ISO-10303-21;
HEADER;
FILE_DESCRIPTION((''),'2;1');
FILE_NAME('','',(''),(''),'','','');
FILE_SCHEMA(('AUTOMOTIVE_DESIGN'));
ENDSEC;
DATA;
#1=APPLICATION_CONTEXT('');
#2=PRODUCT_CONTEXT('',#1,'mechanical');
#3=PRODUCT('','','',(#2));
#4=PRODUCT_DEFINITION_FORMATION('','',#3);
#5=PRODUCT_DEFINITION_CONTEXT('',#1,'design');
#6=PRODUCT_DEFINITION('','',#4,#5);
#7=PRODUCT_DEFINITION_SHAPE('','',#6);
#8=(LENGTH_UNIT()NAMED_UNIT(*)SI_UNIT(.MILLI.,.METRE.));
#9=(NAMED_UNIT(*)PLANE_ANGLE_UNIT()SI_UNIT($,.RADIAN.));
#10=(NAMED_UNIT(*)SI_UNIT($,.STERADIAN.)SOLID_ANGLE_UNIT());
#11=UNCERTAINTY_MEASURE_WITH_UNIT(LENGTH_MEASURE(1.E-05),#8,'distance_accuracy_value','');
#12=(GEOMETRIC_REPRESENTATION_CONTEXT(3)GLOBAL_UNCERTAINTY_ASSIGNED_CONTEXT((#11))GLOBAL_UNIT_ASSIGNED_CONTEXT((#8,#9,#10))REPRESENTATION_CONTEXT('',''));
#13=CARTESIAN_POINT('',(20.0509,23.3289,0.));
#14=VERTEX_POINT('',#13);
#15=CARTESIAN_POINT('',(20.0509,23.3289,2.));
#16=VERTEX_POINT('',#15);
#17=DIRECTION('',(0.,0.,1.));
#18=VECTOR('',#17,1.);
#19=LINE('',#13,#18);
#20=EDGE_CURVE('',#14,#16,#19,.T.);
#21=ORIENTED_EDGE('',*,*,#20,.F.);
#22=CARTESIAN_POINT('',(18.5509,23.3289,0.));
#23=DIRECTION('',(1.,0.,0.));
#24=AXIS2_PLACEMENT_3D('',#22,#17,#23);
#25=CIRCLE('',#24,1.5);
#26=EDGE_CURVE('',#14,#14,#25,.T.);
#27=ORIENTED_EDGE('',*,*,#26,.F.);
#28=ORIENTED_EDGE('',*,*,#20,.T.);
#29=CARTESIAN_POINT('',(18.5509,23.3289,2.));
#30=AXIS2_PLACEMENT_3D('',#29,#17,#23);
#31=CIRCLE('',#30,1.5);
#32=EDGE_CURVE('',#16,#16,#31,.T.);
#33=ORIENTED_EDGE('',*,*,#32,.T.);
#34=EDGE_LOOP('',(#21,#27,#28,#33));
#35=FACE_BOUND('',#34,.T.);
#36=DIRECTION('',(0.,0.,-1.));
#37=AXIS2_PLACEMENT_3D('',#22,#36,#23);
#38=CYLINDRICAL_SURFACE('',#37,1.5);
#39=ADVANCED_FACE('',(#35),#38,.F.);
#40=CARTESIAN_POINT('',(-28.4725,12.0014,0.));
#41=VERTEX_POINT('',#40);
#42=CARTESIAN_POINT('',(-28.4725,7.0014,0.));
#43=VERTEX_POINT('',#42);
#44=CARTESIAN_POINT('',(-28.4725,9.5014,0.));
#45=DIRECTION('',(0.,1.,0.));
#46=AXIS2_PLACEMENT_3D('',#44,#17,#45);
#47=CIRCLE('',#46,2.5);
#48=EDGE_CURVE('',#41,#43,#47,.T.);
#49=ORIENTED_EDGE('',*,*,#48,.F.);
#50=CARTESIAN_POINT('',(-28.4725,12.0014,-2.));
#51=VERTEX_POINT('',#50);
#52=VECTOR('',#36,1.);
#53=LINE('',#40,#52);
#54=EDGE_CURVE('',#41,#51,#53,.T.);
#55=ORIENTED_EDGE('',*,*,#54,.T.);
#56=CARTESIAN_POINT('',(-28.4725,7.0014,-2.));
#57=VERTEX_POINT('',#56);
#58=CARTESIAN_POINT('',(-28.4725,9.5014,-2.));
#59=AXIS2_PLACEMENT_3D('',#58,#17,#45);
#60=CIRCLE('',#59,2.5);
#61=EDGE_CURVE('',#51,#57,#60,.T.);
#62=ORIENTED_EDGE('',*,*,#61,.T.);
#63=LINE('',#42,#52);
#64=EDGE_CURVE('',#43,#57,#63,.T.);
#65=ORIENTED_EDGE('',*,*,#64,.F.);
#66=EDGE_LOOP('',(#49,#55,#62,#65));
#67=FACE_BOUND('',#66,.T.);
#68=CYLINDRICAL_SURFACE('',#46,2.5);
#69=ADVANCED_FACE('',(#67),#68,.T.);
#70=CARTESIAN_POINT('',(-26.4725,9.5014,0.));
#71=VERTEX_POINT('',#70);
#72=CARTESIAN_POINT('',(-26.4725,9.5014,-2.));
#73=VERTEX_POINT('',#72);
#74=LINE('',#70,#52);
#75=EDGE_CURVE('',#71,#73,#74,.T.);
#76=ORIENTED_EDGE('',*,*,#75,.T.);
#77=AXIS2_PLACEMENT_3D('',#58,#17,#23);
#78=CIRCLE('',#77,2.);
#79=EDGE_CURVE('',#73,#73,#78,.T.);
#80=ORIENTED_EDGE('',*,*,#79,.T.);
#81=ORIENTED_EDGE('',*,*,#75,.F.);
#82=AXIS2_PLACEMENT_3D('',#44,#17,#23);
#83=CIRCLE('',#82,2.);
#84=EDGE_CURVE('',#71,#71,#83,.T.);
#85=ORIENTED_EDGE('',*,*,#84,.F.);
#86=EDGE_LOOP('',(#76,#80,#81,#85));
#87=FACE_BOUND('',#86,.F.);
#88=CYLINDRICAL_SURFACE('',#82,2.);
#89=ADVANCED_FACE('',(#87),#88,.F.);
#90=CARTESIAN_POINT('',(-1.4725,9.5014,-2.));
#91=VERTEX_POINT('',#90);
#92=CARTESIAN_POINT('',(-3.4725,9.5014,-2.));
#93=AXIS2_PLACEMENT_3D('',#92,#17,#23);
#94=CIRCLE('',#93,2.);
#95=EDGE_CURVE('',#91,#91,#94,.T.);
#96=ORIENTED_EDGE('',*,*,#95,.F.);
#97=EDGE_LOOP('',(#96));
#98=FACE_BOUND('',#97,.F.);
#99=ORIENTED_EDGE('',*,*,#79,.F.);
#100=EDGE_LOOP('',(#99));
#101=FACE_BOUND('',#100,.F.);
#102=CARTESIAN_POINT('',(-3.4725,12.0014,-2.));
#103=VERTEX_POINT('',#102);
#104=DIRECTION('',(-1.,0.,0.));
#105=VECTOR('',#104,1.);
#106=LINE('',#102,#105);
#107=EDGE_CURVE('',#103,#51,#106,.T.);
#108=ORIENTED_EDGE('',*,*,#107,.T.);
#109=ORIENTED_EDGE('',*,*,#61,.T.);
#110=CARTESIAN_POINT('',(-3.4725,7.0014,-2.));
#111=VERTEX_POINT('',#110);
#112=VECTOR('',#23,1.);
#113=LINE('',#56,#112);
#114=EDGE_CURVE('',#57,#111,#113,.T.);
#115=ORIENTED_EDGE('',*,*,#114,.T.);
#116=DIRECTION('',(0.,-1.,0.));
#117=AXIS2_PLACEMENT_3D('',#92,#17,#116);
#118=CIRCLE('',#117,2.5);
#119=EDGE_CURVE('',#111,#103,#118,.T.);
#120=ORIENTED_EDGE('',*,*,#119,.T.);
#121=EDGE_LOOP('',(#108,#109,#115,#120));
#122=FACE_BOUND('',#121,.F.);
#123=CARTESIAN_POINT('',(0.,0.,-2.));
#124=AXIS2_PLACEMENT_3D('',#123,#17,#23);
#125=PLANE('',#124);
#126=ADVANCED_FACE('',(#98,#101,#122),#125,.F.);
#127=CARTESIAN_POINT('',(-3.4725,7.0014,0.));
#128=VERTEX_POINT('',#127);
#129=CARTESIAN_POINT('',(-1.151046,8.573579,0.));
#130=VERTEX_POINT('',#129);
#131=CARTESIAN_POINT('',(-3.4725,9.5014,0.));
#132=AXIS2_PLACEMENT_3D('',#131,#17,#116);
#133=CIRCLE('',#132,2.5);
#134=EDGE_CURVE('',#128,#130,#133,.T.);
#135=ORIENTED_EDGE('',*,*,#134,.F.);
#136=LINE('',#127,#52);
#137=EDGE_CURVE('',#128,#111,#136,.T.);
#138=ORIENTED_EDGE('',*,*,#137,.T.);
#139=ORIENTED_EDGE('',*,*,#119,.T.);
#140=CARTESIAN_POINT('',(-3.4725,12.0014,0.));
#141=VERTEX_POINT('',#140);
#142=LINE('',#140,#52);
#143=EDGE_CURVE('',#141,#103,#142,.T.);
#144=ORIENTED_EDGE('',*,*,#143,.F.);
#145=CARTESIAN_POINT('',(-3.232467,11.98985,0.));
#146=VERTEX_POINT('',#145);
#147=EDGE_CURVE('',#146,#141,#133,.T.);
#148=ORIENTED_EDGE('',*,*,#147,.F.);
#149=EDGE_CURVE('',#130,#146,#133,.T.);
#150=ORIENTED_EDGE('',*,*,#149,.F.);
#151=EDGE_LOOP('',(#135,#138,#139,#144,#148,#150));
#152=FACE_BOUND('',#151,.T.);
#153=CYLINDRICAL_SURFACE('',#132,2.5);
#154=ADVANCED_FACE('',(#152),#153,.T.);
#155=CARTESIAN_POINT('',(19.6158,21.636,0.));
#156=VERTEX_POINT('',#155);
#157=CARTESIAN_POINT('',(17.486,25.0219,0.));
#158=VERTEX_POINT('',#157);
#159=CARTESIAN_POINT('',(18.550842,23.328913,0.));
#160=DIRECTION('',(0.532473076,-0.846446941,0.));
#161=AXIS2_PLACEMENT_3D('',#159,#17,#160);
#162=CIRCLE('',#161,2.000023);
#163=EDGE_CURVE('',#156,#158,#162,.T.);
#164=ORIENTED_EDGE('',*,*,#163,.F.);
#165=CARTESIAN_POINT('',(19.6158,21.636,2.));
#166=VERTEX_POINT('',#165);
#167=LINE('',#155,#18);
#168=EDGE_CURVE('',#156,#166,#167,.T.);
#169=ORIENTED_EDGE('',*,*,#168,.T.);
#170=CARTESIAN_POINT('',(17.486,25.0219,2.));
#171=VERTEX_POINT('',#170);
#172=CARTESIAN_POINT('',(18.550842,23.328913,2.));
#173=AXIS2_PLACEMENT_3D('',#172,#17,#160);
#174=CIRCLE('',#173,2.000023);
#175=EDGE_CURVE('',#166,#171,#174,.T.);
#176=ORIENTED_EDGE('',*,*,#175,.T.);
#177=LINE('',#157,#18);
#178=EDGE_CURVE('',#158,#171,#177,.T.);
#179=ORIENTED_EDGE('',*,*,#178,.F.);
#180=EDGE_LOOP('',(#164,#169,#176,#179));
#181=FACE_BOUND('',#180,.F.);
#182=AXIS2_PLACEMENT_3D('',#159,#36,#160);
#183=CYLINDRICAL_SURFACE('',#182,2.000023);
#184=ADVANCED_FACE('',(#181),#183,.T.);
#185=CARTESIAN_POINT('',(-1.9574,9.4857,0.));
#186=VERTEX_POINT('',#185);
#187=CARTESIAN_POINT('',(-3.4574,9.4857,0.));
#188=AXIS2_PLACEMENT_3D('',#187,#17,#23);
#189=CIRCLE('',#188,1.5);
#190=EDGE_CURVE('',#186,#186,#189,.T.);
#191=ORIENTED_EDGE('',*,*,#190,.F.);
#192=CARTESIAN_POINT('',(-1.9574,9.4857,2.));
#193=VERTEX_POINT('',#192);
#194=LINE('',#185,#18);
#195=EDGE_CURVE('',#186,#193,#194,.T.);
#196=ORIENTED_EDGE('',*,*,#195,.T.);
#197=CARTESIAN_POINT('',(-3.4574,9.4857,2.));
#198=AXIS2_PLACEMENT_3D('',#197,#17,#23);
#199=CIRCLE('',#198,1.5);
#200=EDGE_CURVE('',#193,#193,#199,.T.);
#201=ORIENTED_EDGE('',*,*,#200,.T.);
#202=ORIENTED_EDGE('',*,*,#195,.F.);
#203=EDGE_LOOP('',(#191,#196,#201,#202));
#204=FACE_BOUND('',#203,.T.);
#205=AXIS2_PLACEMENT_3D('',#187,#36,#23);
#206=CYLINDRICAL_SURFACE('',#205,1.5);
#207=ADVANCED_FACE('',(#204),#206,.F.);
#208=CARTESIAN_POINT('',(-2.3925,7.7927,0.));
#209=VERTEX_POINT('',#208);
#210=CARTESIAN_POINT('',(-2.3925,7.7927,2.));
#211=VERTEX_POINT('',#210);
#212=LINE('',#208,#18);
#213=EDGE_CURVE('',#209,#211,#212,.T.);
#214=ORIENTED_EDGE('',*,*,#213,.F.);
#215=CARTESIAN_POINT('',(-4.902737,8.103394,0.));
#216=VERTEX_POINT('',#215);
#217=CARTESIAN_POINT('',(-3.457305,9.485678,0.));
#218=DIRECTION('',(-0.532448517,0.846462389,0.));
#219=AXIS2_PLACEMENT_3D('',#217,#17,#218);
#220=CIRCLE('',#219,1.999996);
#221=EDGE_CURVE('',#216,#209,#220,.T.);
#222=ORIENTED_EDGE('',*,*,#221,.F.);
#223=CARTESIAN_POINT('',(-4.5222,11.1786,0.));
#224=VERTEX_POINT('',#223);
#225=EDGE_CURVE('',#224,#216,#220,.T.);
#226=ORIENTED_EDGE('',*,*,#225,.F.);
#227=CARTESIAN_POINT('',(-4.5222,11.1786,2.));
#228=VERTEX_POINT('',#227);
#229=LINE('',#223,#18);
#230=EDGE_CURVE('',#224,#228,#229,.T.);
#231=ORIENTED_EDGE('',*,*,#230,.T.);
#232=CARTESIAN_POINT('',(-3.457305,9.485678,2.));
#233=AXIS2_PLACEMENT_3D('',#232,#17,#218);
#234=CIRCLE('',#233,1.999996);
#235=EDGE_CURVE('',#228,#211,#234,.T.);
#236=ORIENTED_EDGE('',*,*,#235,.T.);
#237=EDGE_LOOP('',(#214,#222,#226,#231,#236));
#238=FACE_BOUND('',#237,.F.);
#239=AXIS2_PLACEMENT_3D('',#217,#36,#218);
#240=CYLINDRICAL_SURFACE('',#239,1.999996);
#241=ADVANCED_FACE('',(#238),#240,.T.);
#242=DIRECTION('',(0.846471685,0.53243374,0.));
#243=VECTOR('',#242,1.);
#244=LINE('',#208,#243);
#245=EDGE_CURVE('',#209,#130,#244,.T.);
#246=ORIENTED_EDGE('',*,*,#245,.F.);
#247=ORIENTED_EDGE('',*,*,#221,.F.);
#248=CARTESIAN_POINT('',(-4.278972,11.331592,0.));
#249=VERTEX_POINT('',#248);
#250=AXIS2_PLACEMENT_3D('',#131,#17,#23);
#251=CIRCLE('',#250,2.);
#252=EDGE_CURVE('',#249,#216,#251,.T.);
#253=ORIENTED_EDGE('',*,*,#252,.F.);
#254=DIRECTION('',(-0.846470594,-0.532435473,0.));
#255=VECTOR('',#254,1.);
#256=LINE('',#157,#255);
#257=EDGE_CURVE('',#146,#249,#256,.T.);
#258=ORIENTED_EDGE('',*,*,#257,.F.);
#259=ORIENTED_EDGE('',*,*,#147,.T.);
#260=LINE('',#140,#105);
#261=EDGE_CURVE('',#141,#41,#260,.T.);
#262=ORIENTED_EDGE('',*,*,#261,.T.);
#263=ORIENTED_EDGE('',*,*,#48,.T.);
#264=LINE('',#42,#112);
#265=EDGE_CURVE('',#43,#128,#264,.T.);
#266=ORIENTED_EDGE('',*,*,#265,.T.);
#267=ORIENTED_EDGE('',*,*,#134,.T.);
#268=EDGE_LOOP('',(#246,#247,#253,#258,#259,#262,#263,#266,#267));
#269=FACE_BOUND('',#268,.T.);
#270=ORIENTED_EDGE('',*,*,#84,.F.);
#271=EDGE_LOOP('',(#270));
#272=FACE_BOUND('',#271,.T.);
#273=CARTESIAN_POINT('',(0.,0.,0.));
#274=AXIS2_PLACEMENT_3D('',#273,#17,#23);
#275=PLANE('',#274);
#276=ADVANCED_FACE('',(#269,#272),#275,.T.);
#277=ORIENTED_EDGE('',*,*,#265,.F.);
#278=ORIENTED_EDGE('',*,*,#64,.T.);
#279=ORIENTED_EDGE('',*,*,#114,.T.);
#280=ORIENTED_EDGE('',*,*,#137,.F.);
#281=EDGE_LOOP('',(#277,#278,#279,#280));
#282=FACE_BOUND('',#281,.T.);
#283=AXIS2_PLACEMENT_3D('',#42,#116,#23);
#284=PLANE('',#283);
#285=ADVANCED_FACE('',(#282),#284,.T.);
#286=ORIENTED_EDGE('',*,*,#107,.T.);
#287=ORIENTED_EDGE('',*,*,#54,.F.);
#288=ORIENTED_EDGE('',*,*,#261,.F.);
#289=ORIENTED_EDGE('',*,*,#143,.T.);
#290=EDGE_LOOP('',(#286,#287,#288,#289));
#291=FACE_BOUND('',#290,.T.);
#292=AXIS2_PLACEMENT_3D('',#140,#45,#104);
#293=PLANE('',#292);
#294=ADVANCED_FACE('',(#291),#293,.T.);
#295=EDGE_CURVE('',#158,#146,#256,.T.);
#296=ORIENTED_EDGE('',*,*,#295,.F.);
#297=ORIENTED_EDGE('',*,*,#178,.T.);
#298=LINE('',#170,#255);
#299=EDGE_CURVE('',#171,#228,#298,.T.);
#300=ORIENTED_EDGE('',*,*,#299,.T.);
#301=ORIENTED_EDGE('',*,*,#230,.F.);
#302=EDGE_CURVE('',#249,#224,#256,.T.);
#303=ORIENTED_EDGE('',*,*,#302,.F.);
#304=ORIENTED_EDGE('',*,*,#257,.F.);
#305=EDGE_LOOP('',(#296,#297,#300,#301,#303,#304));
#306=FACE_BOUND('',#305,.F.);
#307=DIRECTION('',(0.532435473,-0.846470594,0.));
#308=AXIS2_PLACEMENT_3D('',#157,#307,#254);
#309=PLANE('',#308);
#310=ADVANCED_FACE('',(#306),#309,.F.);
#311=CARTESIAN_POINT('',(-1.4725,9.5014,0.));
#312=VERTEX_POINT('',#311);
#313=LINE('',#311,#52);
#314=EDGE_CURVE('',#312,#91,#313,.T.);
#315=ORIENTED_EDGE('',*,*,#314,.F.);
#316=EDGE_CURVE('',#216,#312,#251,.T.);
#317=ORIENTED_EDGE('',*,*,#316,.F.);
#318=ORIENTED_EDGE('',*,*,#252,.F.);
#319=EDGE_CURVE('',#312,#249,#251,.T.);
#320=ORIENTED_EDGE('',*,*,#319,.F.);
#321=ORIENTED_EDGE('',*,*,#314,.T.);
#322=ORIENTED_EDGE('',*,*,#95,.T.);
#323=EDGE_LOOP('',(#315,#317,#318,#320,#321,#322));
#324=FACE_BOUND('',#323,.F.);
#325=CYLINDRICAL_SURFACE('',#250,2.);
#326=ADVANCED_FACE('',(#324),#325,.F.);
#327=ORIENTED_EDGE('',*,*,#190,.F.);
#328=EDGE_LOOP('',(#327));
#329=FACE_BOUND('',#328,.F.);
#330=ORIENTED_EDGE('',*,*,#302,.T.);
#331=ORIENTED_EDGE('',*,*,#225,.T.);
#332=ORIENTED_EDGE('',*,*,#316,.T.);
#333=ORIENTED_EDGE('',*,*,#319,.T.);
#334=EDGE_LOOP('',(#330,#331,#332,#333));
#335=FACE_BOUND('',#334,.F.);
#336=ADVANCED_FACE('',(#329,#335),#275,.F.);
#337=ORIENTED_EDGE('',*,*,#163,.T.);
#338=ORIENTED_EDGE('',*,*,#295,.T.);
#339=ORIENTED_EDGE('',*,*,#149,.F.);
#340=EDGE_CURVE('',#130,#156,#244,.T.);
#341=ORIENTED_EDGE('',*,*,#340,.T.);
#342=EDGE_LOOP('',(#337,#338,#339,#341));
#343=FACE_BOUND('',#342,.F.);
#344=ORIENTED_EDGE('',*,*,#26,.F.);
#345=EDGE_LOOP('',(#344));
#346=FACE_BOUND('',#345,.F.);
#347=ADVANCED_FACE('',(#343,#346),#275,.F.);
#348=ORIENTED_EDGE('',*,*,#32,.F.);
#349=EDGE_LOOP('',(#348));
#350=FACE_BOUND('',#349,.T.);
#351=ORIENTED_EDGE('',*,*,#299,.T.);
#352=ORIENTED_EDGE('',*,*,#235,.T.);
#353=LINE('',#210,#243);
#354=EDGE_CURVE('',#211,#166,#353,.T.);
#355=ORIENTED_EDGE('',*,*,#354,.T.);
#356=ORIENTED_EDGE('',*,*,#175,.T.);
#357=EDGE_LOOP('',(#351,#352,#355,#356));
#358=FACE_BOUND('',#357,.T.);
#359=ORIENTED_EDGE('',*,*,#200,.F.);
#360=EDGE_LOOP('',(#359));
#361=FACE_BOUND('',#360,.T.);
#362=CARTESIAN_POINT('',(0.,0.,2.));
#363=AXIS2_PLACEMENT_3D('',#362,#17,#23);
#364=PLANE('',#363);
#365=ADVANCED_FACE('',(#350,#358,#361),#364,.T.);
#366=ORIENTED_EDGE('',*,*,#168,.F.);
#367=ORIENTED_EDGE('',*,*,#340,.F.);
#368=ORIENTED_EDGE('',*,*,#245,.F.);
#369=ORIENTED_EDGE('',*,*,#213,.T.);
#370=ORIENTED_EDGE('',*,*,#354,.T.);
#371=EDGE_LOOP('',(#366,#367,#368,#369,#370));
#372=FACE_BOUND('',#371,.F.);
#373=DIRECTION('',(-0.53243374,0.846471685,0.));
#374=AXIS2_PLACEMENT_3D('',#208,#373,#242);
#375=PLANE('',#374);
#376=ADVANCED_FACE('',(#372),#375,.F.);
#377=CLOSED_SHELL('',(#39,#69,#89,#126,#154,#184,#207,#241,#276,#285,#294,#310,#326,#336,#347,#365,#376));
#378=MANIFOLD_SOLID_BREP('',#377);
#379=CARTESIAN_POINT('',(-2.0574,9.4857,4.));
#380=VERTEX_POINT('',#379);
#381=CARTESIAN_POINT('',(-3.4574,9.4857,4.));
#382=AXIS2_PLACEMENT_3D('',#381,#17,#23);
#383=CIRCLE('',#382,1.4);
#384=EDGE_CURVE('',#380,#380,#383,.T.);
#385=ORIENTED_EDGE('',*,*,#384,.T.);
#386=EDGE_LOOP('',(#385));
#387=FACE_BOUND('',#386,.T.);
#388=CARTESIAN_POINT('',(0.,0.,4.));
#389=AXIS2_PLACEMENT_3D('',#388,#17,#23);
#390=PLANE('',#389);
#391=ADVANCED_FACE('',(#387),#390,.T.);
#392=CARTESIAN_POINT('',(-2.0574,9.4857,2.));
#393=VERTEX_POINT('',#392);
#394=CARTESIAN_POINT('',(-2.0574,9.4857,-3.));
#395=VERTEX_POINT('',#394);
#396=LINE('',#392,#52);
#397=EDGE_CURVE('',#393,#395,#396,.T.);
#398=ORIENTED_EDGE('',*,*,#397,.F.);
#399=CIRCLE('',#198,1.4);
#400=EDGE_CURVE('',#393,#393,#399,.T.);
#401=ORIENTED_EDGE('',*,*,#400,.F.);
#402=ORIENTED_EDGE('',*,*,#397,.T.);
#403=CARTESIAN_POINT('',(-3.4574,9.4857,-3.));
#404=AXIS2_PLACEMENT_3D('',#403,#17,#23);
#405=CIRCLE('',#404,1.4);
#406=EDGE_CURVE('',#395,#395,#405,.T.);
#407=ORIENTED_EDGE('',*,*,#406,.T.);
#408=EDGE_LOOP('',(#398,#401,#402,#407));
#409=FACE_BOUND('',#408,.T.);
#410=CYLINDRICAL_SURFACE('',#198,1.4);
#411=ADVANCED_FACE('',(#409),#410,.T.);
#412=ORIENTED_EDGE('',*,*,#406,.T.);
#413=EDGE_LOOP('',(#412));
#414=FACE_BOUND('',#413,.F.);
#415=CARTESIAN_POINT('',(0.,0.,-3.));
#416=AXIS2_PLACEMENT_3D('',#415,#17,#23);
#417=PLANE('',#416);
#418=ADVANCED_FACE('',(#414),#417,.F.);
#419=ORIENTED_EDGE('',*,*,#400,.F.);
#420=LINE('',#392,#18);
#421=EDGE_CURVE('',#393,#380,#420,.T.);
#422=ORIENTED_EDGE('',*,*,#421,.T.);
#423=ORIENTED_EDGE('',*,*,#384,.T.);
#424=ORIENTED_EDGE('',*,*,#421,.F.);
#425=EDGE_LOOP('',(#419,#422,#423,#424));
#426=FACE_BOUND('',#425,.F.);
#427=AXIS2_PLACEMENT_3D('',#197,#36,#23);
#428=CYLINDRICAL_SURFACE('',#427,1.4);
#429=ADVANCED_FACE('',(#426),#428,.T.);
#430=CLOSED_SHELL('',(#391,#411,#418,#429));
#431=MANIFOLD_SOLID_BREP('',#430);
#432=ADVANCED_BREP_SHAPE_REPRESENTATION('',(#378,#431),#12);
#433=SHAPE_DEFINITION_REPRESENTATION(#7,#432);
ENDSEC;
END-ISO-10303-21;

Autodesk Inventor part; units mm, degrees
ref_plane "YZ Plane" through (0, 0, 0) normal (1, 0, 0) x (0, 1, 0)
ref_plane "XZ Plane" through (0, 0, 0) normal (0, 1, 0) x (-1, 0, 0)
ref_plane "XY Plane" through (0, 0, 0) normal (0, 0, 1) x (1, 0, 0)
sketch "Sketch1" plane through (0, 0, 0) normal (0, 0, 1) x (1, 0, 0)
  line L0 (-30.9725, 9.5014) -> (-0.9725, 9.5014) construction
  line L1 (-28.4725, 7.0014) -> (-3.4725, 7.0014)
  line L2 (-3.4725, 12.0014) -> (-28.4725, 12.0014)
  arc A0 (-28.4725, 12.0014) -> (-28.4725, 7.0014) centre (-28.4725, 9.5014) ccw
  arc A1 (-3.4725, 7.0014) -> (-3.4725, 12.0014) centre (-3.4725, 9.5014) ccw
  circle A2 centre (-28.4725, 9.5014) radius 2
  circle A3 centre (-3.4725, 9.5014) radius 2
  point P0 (0, 0)
  point P1 (-15.9725, 9.5014)
  dimension "d0" = 30
  dimension "d1" = 5
  dimension "d2" = 4
  dimension "d3" = 4
sketch "Sketch2" plane through (0, 0, 0) normal (0, 0, 1) x (1, 0, 0)
  line L0 (-5.1503, 8.4208) -> (20.2439, 24.3938) construction
  line L1 (-2.3925, 7.7927) -> (19.6158, 21.636)
  line L2 (17.486, 25.0219) -> (-4.5222, 11.1786)
  arc A0 (-4.5222, 11.1786) -> (-2.3925, 7.7927) centre (-3.4574, 9.4857) ccw
  arc A1 (19.6158, 21.636) -> (17.486, 25.0219) centre (18.5509, 23.3289) ccw
  circle A2 centre (18.5509, 23.3289) radius 1.5
  circle A3 centre (-3.4574, 9.4857) radius 1.5
  circle A4 centre (-3.4574, 9.4857) radius 1.5
  point P0 (0, 0)
  point P1 (7.5468, 16.4073)
  dimension "d4" = 30
  dimension "d5" = 4
  dimension "d6" = 3
  dimension "d9" = 3
  dimension "d12" = 3
extrude "Extrusion1" add sketch "Sketch1" against normal blind 2
extrude "Extrusion2" add sketch "Sketch2" along normal blind 2
sketch "Sketch5" plane through (0, 0, 2) normal (0, 0, 1) x (1, 0, 0)
  circle A0 centre (-3.4574, 9.4857) radius 1.4
  circle A1 centre (-3.4574, 9.4857) radius 1.5 projected
  point P0 (0, 0)
  dimension "d13" = 2.8
extrude "Extrusion3" add sketch "Sketch5" along normal blind 2 and the other way blind 5 contours A0
